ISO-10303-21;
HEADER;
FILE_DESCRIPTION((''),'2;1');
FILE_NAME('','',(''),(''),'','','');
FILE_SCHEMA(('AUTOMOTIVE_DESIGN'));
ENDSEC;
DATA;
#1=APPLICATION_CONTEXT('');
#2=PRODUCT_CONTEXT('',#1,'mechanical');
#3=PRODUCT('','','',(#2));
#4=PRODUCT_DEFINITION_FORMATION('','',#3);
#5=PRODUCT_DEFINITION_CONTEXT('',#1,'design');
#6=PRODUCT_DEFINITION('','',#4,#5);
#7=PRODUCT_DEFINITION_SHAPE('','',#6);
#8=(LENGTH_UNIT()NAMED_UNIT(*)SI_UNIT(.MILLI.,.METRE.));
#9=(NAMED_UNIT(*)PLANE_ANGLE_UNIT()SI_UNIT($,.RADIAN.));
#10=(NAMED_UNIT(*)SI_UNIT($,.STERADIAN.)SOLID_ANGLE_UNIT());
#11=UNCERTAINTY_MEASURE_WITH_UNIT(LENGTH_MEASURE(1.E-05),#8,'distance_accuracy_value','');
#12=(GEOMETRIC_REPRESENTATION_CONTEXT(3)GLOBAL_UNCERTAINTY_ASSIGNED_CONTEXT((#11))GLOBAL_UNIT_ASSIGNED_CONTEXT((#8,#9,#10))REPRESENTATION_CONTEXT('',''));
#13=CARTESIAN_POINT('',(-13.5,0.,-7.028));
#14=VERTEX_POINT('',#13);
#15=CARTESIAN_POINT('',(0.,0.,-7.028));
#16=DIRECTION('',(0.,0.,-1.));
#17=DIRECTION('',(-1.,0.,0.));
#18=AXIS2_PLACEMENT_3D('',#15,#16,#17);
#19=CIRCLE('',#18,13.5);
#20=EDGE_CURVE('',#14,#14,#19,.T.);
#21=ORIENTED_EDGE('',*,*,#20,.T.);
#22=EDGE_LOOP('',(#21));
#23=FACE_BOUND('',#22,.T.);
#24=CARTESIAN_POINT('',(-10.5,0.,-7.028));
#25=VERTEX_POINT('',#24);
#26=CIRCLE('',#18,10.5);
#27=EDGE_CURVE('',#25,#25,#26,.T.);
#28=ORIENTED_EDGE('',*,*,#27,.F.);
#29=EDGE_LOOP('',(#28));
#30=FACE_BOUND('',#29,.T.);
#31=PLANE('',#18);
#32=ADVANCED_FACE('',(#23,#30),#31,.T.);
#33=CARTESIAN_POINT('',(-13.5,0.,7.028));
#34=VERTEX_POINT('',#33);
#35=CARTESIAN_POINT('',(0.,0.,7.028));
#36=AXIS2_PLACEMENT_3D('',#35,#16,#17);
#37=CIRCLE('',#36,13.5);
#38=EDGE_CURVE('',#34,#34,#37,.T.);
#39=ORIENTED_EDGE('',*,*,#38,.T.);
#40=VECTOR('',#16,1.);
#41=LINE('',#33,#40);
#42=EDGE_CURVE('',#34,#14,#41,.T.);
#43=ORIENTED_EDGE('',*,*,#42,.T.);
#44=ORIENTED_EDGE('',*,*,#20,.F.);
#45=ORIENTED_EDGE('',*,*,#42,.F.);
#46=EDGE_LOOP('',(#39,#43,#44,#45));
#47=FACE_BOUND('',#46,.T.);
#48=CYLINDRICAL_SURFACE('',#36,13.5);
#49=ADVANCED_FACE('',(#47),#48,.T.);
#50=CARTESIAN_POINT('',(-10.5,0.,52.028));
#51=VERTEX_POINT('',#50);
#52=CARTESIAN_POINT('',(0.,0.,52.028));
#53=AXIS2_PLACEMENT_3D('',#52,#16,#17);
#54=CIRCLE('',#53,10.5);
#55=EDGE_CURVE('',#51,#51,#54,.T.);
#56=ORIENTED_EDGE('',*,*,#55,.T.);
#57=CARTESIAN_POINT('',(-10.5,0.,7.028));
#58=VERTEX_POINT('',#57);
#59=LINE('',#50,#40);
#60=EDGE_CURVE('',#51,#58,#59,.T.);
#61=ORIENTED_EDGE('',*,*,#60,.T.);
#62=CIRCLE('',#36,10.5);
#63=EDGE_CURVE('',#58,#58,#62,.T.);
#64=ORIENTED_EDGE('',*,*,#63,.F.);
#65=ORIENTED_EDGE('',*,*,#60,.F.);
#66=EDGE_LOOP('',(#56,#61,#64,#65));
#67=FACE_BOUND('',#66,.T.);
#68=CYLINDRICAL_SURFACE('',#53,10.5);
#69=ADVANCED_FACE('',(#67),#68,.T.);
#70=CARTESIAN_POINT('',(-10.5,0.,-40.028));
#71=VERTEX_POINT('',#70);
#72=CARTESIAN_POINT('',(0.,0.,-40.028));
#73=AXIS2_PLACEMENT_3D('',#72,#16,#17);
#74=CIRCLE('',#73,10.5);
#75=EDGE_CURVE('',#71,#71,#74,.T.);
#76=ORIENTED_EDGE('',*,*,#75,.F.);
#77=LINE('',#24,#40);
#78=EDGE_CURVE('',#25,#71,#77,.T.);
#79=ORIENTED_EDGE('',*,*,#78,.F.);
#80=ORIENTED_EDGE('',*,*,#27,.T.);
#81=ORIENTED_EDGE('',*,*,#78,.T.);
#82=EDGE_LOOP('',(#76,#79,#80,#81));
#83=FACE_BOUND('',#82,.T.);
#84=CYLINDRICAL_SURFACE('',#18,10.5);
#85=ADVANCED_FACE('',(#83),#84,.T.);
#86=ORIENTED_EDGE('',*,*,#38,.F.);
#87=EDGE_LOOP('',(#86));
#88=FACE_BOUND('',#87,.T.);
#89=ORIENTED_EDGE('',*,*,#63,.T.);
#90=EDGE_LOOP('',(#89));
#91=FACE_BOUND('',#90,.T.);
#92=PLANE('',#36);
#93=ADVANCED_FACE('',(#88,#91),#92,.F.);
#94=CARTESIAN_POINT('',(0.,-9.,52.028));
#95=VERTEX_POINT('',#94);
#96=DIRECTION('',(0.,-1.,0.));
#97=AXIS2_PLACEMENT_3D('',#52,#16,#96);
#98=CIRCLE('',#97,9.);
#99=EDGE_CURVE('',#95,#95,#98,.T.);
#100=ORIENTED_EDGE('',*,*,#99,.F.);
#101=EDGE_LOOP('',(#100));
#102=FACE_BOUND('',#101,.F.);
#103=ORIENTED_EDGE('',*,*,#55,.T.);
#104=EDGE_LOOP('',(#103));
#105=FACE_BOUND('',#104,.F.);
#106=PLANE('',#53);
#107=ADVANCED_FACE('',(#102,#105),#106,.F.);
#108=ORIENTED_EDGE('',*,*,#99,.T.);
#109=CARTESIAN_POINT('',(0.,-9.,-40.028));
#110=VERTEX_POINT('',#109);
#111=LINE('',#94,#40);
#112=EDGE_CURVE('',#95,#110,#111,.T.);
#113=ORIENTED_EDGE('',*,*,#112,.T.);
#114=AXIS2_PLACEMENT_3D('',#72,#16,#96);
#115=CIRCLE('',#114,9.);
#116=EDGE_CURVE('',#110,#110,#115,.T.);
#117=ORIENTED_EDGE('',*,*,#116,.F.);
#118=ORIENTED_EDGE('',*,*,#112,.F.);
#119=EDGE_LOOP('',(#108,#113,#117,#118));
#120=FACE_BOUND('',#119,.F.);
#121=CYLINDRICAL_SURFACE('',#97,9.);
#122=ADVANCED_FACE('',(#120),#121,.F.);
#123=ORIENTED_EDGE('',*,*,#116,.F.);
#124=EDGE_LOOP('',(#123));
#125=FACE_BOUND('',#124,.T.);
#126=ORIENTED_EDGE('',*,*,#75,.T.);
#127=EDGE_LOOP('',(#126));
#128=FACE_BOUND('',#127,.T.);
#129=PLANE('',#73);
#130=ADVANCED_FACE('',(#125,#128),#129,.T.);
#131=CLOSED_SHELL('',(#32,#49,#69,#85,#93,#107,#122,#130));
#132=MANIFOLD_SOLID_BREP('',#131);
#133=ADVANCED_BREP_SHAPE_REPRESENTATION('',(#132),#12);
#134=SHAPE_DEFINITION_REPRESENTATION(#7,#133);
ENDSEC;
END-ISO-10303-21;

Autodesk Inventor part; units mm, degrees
ref_plane "YZ Plane" through (0, 0, 0) normal (1, 0, 0) x (0, 1, 0)
ref_plane "XZ Plane" through (0, 0, 0) normal (0, 1, 0) x (-1, 0, 0)
ref_plane "XY Plane" through (0, 0, 0) normal (0, 0, 1) x (1, 0, 0)
sketch "Skizze1" plane through (0, 0, 0) normal (0, 1, 0) x (-1, 0, 0)
  line L0 (10.5, 52.028) -> (10.5, 7.028)
  line L1 (10.5, 7.028) -> (13.5, 7.028)
  line L2 (13.5, 7.028) -> (13.5, -7.028)
  line L3 (13.5, -7.028) -> (10.5, -7.028)
  line L4 (10.5, -7.028) -> (10.5, -40.028)
  line L5 (10.5, -40.028) -> (0, -40.028)
  line L6 (0, 52.028) -> (0, -40.028)
  line L7 (0, 0) -> (13.5, 0) construction
  line L8 (10.5, 52.028) -> (0, 52.028)
  point P0 (12, 7.028)
  dimension "d0" = 14.056
  dimension "d1" = 21
  dimension "d2" = 27
  dimension "d14" = 45
  dimension "d15" = 33
revolve "Umdrehung1" add sketch "Skizze1" angle 360 about axis through (0, 0, 52.028) along (0, 0, -1)
sketch "Skizze2" plane through (0, 0, 52.028) normal (0, 0, 1) x (1, 0, 0)
  point P0 (0, 0)
  point P1 (0, 0)
hole "Bohrung1" at (0, 0, 52.028) direction (0, 0, -1) diameter 18 end through all
properties part number "vernindung"
